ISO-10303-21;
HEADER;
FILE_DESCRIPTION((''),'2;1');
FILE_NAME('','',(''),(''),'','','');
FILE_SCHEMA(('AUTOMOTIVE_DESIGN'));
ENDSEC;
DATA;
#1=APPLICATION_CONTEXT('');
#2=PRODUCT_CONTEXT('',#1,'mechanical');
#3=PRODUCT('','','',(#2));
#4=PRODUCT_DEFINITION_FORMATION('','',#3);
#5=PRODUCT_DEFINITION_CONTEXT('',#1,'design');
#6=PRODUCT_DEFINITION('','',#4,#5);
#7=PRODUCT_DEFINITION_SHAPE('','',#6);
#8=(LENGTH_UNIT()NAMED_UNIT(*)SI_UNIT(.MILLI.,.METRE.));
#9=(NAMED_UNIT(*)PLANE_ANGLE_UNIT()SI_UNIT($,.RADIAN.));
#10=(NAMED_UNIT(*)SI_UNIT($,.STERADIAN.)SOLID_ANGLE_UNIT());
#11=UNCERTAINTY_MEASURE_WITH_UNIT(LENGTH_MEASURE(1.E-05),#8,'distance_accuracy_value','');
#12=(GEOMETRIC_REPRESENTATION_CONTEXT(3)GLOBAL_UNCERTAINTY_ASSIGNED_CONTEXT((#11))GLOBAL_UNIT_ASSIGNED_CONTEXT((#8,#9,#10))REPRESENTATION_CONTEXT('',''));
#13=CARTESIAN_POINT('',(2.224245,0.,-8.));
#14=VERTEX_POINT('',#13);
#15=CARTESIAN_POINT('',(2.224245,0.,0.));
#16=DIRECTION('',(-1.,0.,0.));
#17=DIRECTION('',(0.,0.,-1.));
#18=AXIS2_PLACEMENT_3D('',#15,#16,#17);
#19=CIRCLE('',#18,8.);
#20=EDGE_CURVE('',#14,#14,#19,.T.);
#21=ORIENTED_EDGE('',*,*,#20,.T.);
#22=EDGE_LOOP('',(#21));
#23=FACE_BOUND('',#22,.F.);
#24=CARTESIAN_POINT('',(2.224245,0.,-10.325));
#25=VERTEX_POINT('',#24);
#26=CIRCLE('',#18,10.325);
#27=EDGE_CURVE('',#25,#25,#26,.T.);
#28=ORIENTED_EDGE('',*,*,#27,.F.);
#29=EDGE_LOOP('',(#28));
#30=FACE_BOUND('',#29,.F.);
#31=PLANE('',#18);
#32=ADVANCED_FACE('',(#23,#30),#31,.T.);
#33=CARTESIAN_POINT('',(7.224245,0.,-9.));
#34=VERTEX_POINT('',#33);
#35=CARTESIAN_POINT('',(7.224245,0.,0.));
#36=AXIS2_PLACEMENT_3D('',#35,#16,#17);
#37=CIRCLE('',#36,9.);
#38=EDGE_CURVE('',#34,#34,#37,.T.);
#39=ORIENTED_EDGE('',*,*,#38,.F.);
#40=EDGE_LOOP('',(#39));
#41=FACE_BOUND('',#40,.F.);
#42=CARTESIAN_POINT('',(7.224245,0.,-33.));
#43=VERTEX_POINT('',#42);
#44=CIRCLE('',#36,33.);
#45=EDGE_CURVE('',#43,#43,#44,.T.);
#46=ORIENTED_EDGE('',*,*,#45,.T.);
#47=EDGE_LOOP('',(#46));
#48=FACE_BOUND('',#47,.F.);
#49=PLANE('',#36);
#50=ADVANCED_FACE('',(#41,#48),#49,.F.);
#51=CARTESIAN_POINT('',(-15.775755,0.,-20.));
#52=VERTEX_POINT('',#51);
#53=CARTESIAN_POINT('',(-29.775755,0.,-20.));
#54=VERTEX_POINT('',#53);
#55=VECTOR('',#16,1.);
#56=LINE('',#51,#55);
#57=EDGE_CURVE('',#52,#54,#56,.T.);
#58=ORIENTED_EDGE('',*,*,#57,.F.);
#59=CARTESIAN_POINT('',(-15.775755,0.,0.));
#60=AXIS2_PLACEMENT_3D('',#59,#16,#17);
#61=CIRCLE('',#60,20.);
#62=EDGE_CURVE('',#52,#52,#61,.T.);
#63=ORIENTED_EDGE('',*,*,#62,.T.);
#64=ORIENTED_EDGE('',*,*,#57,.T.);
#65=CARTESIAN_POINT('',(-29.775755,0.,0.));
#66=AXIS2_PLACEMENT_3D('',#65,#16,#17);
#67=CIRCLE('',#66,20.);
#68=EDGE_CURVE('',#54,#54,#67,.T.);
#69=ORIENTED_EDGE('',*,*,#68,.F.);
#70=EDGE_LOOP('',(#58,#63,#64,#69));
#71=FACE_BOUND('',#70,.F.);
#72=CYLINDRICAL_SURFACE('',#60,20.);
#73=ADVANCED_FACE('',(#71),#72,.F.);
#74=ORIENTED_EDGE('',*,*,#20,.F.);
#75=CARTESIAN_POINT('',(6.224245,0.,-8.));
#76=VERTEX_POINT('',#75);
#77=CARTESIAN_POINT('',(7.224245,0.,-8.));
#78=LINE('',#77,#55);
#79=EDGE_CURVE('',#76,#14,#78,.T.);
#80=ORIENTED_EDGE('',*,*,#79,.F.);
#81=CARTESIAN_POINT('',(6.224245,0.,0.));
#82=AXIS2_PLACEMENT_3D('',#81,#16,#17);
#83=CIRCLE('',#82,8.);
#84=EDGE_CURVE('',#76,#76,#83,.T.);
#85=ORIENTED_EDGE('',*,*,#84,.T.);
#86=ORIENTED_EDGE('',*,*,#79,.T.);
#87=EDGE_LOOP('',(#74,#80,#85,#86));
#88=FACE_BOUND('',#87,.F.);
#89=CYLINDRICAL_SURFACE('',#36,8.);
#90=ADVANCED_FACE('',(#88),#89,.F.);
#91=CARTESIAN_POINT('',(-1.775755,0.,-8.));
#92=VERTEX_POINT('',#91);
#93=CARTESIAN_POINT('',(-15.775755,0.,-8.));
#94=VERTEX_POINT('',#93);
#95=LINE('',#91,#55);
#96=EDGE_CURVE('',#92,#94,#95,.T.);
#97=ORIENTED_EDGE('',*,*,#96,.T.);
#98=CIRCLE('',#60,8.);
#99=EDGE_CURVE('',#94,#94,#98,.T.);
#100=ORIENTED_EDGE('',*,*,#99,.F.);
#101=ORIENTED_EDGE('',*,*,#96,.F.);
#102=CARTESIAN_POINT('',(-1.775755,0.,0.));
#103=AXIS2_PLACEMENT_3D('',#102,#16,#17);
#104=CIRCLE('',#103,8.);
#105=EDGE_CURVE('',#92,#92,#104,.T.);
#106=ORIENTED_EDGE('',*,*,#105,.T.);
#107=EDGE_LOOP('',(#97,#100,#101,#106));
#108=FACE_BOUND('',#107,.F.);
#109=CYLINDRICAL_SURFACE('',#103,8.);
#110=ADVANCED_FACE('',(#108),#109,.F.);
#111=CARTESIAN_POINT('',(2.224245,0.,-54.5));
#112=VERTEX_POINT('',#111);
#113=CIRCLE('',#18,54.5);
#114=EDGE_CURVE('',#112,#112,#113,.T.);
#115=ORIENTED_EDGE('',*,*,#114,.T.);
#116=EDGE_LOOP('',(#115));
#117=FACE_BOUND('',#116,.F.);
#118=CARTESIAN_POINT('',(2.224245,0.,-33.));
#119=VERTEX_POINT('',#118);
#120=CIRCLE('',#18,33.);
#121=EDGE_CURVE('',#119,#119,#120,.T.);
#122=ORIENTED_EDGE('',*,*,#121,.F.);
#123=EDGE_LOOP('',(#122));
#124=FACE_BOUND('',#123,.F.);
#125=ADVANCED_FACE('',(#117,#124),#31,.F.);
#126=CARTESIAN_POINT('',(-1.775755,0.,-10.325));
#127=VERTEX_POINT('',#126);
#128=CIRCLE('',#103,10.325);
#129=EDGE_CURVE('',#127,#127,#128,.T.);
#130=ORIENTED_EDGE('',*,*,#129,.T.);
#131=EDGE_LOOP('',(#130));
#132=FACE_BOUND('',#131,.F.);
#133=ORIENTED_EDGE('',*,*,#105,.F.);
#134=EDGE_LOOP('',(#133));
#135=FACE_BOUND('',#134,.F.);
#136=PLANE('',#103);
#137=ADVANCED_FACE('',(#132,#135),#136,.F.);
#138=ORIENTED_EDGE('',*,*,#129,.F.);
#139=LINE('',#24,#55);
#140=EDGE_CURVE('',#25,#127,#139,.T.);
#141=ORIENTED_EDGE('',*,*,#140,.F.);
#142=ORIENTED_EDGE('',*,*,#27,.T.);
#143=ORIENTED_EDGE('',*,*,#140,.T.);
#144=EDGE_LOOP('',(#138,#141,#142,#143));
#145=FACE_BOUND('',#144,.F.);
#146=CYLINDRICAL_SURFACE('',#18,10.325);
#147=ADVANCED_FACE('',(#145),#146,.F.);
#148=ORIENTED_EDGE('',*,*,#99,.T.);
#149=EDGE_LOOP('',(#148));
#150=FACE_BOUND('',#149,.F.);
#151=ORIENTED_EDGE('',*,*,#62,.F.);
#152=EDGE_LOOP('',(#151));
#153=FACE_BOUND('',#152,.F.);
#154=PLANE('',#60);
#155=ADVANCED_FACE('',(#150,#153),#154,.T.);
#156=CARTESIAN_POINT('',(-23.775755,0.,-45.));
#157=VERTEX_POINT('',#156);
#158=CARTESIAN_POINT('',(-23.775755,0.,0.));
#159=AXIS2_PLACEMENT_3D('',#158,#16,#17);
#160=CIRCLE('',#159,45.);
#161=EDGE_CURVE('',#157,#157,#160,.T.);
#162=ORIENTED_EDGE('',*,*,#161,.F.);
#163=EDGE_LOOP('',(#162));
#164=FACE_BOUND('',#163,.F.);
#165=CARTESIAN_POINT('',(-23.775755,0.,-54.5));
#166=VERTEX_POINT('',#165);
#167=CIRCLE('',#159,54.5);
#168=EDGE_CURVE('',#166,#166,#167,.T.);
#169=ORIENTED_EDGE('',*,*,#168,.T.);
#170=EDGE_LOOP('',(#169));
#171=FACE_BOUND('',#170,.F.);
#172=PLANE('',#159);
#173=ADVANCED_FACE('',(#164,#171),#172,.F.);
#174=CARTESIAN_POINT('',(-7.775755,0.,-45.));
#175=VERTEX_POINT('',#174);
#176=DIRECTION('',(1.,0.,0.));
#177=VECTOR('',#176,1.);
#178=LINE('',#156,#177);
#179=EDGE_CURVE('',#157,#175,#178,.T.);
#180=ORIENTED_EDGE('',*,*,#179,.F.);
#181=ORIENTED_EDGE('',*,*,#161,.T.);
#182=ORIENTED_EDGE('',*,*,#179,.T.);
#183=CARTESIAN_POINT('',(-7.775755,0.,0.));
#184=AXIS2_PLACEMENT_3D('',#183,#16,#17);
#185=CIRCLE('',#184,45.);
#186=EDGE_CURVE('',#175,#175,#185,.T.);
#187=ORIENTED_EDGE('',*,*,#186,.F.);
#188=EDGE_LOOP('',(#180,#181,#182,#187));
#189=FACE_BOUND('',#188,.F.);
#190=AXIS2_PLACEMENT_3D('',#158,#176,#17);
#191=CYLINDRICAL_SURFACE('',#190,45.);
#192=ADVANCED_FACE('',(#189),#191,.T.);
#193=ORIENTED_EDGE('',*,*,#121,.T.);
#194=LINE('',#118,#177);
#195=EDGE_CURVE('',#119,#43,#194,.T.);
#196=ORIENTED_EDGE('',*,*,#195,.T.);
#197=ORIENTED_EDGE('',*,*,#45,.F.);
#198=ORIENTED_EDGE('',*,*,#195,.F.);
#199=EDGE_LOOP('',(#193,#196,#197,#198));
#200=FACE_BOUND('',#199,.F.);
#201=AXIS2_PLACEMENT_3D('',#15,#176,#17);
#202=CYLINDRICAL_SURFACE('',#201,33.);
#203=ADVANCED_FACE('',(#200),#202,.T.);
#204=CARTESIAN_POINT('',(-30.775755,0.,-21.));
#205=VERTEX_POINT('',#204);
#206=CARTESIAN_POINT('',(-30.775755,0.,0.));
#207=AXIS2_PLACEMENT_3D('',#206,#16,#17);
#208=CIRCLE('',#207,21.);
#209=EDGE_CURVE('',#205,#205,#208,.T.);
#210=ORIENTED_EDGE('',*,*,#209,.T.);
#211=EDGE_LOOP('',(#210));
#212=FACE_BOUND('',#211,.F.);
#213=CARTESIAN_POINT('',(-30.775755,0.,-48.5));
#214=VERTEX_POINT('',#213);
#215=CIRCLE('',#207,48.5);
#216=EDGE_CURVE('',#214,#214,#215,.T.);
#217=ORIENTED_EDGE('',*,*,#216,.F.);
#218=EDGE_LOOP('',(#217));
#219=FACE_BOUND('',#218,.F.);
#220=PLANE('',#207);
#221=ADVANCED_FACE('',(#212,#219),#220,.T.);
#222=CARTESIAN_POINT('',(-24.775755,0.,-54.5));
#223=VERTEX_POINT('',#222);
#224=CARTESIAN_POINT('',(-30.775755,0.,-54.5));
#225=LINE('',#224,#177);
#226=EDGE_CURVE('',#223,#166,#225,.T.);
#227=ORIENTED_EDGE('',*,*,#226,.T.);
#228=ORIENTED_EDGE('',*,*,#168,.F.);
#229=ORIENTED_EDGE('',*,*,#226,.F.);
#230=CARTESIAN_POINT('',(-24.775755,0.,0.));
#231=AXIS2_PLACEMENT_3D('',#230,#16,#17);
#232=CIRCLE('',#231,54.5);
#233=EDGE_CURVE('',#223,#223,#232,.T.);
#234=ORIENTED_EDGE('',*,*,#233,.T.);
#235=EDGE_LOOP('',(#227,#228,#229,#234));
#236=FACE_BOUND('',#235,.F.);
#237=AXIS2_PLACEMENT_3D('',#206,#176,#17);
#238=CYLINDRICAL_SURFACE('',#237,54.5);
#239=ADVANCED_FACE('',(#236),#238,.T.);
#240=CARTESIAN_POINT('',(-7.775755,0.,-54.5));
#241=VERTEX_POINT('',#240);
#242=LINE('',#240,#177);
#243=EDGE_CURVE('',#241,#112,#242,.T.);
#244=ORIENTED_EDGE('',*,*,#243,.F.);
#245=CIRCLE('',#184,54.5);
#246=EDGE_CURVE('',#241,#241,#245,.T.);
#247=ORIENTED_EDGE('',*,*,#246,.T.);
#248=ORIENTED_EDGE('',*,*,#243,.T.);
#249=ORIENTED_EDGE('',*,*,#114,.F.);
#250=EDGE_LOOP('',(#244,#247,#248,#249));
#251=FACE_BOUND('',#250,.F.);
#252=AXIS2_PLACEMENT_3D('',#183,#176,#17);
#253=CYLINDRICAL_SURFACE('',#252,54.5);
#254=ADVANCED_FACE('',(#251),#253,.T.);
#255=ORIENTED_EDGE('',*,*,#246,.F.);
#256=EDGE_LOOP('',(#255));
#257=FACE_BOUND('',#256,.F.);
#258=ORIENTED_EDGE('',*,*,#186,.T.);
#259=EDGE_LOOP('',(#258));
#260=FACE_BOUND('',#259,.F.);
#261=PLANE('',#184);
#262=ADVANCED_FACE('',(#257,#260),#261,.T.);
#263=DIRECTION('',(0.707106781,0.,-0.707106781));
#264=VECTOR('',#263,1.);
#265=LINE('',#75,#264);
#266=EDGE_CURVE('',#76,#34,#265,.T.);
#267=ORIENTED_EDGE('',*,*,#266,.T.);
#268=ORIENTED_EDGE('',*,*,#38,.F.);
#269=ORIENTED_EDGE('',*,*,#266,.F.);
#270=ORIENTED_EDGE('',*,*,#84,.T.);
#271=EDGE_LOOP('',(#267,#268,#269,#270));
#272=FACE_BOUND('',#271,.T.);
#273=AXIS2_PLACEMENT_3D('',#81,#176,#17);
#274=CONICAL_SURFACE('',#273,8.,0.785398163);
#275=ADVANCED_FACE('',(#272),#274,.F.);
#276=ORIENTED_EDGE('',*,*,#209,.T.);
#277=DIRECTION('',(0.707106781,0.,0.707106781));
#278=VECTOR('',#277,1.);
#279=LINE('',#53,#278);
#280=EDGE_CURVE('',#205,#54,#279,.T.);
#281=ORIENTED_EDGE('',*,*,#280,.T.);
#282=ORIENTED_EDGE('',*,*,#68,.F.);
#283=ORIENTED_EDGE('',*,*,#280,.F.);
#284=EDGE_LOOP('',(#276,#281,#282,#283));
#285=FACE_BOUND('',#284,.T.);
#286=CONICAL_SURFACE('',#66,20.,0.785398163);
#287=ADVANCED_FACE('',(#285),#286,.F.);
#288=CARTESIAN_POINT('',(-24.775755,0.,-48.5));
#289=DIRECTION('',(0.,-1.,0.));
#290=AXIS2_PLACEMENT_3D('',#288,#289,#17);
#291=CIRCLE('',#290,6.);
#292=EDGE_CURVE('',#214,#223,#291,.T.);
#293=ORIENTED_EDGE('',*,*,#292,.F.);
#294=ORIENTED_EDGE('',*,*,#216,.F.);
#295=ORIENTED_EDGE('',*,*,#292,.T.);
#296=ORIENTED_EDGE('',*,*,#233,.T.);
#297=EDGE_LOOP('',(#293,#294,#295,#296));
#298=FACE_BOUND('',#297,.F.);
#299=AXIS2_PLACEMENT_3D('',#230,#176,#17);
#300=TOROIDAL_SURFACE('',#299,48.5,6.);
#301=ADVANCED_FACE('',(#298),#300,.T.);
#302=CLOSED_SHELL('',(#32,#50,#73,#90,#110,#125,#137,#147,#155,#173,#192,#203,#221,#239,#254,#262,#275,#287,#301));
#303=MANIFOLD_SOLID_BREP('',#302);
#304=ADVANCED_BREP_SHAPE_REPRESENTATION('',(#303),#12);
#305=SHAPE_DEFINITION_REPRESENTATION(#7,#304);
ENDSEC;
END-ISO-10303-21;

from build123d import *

# Parameters (mm, degrees)
F2_R    = 6
F3_SIZE = 1


with BuildPart() as f1:
    # F0 (on Front) → F1 (revolve)
    with BuildSketch(Plane.XZ):
        Polygon((-15.775755, -20), (-30.775755, -20), (-30.775755, -54.5), (-23.775755, -54.5), (-23.775755, -45), (-7.775755, -45), (-7.775755, -54.5), (2.224245, -54.5), (2.224245, -33), (7.224245, -33), (7.224245, -8), (2.224245, -8), (2.224245, -10.325), (-1.775755, -10.325), (-1.775755, -8), (-15.775755, -8), align=None)
    revolve(axis=Axis((-3.464836, 0, 0), (-1, 0, 0)))

    # F2
    f2_edges = [f1.edges().sort_by_distance(p)[0] for p in [
        (-30.775755, 0, 54.5),
    ]]
    fillet(f2_edges, radius=F2_R)

    # F3
    f3_edges = [f1.edges().sort_by_distance(p)[0] for p in [
        (-30.775755, 0, 20),
        (7.224245, 0, 8),
    ]]
    chamfer(f3_edges, length=F3_SIZE)


solid = f1.part
